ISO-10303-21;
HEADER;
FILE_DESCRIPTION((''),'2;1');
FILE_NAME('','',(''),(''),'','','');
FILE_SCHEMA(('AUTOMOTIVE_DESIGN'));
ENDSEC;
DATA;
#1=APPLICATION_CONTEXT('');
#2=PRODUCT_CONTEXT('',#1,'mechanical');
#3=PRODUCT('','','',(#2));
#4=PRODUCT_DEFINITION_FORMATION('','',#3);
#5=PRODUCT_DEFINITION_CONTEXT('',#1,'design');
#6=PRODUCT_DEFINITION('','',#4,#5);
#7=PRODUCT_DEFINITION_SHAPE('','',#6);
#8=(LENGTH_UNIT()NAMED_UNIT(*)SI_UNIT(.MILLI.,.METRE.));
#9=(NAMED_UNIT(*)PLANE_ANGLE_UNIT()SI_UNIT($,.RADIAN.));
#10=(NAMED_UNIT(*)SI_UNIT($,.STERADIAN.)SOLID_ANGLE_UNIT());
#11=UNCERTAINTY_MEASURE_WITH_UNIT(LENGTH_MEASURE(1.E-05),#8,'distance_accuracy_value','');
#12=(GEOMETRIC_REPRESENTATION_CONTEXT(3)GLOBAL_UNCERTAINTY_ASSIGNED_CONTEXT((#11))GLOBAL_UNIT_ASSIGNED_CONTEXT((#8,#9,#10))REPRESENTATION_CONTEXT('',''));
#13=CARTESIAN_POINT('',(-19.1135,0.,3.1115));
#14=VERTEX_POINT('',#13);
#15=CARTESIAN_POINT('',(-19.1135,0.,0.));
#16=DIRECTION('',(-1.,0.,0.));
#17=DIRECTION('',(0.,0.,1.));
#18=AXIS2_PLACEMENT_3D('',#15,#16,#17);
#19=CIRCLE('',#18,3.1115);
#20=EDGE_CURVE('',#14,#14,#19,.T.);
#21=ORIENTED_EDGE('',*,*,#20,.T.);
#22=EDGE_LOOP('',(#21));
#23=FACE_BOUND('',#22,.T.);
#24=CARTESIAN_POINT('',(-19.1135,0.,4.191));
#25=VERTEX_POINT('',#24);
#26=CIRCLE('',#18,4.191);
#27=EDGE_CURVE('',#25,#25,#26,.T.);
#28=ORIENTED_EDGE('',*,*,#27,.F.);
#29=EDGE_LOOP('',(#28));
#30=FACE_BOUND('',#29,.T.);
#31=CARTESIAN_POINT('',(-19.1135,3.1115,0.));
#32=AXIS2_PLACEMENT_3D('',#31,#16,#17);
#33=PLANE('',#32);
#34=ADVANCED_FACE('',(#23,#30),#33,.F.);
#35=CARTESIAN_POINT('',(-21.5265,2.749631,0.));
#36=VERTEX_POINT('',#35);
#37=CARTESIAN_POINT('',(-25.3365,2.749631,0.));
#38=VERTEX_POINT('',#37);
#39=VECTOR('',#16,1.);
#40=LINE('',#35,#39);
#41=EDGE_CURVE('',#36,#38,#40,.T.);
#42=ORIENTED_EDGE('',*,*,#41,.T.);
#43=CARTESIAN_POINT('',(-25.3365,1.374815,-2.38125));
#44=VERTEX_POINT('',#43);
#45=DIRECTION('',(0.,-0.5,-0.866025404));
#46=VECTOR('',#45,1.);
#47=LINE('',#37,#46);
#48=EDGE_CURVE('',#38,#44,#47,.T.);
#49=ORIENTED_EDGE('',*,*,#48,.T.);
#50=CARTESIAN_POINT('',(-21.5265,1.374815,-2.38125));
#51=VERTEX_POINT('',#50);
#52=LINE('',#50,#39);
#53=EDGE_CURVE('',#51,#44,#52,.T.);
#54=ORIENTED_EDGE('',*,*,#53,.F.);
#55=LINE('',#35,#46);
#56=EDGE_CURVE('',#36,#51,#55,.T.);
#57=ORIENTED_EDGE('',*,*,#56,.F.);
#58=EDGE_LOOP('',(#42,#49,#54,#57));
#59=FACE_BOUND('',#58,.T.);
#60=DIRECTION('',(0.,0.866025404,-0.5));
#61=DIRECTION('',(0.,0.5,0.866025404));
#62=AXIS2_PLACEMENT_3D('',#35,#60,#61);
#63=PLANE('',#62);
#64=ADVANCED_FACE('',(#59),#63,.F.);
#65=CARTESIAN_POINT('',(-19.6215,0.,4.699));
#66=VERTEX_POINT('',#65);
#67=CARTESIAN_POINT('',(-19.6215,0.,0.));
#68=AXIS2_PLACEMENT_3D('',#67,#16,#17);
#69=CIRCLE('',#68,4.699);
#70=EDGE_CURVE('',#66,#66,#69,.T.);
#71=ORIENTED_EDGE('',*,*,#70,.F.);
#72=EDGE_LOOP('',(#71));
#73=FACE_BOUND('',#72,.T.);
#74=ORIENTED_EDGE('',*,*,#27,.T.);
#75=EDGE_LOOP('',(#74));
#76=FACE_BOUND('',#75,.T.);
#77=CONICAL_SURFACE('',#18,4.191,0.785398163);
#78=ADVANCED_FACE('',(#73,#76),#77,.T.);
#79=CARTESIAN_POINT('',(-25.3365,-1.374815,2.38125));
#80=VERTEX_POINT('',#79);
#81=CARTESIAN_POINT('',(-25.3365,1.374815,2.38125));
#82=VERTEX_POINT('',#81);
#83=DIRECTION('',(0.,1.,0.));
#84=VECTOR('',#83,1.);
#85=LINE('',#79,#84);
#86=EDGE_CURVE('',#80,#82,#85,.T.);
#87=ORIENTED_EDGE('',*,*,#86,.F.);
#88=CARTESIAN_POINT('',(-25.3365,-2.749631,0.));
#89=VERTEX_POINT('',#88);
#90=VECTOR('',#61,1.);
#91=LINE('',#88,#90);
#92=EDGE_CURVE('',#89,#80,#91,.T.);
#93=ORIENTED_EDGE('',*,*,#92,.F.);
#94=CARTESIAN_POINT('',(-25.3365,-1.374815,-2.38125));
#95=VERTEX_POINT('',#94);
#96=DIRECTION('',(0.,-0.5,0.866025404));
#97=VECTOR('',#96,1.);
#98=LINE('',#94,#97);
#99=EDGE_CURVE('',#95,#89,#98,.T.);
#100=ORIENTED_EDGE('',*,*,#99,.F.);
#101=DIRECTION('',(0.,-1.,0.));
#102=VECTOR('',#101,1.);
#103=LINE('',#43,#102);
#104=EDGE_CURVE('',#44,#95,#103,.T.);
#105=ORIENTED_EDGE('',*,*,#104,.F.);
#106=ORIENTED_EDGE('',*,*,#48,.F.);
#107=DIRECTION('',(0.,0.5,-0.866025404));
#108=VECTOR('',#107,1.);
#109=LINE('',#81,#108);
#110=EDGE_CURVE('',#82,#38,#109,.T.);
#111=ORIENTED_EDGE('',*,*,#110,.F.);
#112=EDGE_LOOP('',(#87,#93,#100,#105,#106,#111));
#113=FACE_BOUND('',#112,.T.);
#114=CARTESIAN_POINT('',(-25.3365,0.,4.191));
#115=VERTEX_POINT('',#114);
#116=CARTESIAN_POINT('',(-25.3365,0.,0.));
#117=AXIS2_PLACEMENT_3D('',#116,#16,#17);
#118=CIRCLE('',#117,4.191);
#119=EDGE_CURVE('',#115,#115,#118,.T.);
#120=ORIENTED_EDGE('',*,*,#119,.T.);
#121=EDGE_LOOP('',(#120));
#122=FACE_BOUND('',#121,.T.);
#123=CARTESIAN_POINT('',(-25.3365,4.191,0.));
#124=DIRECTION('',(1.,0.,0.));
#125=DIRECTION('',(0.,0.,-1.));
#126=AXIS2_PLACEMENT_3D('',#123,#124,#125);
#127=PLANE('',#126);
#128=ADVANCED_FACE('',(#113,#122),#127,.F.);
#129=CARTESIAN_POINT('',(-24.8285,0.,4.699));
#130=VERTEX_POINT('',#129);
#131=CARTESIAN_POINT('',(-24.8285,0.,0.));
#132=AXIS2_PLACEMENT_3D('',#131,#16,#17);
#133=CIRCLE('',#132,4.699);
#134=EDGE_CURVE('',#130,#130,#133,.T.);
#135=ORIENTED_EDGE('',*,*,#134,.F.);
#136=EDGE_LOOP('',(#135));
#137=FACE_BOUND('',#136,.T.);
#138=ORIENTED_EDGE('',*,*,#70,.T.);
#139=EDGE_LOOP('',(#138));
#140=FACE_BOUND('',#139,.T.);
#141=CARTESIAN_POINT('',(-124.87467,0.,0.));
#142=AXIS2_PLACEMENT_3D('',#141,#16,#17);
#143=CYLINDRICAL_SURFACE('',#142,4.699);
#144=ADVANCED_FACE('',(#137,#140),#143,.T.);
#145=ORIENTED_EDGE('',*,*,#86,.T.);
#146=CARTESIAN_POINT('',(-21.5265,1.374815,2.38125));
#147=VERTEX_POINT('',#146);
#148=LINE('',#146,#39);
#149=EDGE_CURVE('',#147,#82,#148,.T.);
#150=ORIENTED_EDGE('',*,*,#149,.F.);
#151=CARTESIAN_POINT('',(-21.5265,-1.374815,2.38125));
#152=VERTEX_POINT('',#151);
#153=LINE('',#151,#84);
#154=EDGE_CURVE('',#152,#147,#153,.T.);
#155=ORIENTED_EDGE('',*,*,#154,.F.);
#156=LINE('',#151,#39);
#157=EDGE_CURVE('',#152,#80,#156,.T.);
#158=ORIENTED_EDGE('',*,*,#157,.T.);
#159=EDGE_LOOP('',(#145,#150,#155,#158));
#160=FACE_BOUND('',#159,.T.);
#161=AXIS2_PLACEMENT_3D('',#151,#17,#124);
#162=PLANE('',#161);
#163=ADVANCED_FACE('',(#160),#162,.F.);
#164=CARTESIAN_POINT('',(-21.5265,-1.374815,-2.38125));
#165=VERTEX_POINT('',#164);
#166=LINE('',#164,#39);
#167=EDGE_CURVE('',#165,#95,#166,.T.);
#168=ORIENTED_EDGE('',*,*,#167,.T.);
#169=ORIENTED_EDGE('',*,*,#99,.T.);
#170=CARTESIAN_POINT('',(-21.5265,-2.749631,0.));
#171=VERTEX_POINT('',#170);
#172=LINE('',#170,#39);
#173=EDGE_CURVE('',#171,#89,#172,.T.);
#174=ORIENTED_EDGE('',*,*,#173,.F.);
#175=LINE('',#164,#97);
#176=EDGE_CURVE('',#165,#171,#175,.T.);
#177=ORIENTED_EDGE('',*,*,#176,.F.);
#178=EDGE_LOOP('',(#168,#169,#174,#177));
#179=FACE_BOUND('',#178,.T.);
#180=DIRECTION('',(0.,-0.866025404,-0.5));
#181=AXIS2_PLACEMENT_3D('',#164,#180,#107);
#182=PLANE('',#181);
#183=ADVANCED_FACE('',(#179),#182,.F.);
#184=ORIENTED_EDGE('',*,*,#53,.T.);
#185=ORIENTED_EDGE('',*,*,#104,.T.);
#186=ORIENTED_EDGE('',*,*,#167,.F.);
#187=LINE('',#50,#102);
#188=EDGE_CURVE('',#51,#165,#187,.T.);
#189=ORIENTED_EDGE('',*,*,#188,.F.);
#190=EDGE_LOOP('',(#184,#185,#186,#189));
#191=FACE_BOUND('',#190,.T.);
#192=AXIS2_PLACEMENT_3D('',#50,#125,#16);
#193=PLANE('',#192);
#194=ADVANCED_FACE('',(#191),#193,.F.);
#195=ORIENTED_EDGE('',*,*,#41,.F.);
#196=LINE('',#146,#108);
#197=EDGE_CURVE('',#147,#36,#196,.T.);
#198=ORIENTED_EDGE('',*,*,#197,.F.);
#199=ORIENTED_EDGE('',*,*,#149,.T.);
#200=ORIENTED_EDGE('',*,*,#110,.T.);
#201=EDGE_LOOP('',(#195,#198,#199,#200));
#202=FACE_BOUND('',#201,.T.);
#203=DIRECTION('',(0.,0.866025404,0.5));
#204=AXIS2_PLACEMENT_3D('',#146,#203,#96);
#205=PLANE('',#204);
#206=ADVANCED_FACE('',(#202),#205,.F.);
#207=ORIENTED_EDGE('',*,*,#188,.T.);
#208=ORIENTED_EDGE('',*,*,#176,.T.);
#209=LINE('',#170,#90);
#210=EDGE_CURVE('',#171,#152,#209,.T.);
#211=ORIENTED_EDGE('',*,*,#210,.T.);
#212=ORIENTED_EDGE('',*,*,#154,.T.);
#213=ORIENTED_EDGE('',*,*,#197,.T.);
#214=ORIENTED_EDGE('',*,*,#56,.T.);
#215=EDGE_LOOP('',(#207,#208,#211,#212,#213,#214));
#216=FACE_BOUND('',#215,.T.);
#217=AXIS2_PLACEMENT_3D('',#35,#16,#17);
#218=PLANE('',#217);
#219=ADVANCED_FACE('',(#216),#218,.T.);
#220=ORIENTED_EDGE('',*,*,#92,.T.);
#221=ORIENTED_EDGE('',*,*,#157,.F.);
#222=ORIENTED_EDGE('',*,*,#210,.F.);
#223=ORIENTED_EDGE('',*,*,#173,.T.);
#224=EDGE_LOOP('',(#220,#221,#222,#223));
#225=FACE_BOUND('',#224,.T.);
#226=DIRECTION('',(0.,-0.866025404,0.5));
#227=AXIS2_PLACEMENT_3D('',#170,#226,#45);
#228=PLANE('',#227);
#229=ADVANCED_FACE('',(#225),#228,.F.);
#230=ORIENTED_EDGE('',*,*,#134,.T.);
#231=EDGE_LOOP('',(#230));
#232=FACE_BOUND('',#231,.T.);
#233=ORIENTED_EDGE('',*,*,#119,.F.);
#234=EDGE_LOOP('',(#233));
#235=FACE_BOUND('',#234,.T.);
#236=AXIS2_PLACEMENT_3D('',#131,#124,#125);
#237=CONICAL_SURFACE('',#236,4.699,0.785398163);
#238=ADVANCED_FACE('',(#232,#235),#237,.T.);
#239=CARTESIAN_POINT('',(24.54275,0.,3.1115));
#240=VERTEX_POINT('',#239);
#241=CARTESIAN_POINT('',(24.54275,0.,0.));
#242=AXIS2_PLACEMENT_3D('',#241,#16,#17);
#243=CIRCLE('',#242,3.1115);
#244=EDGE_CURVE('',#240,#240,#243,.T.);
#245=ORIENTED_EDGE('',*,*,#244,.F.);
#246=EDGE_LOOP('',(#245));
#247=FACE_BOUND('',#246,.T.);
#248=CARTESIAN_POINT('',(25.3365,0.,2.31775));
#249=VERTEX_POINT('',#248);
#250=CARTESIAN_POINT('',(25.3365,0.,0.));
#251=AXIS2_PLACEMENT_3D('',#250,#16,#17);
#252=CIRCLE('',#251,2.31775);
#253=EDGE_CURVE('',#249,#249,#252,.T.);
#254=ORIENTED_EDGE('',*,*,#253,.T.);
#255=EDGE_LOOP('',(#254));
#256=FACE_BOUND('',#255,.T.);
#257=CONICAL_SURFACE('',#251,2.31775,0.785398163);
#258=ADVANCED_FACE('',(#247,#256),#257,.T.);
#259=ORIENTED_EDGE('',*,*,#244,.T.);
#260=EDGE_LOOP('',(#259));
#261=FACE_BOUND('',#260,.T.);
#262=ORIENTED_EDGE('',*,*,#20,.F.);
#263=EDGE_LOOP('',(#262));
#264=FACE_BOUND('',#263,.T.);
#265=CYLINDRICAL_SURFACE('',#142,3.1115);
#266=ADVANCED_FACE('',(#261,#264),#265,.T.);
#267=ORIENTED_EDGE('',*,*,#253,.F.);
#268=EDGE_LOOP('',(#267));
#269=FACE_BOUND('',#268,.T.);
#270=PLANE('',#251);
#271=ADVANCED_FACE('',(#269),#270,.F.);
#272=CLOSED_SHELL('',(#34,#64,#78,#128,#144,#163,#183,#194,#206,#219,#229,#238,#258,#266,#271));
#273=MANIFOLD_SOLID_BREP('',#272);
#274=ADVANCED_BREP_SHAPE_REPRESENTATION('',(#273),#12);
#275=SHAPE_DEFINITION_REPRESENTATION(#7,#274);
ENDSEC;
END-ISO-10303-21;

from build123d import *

# Parameters (mm, degrees)
EXTRUDE1_DEPTH = 3.81


with BuildPart() as part:
    # Sketch1 → Revolve1 (revolve)
    with BuildSketch(Plane.XY, mode=Mode.PRIVATE) as revolve1_sk:
        Polygon((25.3365, 0), (25.3365, 2.31775), (24.54275, 3.1115), (-19.1135, 3.1115), (-19.1135, 4.191), (-19.6215, 4.699), (-24.8285, 4.699), (-25.3365, 4.191), (-25.3365, 0), align=None)
    revolve(revolve1_sk.sketch.rotate(Axis((-124.874669814, 0, 0), (1, 0, 0)), 90), axis=Axis((-124.874669814, 0, 0), (1, 0, 0)))

    # Sketch2 → Extrude1 (cut)
    with BuildSketch(Plane.ZY.offset(25.3365)):
        Polygon((0, 2.749630657), (-2.38125, 1.374815329), (-2.38125, -1.374815329), (0, -2.749630657), (2.38125, -1.374815329), (2.38125, 1.374815329), align=None)
    extrude(amount=-EXTRUDE1_DEPTH, mode=Mode.SUBTRACT)


solid = part.part
